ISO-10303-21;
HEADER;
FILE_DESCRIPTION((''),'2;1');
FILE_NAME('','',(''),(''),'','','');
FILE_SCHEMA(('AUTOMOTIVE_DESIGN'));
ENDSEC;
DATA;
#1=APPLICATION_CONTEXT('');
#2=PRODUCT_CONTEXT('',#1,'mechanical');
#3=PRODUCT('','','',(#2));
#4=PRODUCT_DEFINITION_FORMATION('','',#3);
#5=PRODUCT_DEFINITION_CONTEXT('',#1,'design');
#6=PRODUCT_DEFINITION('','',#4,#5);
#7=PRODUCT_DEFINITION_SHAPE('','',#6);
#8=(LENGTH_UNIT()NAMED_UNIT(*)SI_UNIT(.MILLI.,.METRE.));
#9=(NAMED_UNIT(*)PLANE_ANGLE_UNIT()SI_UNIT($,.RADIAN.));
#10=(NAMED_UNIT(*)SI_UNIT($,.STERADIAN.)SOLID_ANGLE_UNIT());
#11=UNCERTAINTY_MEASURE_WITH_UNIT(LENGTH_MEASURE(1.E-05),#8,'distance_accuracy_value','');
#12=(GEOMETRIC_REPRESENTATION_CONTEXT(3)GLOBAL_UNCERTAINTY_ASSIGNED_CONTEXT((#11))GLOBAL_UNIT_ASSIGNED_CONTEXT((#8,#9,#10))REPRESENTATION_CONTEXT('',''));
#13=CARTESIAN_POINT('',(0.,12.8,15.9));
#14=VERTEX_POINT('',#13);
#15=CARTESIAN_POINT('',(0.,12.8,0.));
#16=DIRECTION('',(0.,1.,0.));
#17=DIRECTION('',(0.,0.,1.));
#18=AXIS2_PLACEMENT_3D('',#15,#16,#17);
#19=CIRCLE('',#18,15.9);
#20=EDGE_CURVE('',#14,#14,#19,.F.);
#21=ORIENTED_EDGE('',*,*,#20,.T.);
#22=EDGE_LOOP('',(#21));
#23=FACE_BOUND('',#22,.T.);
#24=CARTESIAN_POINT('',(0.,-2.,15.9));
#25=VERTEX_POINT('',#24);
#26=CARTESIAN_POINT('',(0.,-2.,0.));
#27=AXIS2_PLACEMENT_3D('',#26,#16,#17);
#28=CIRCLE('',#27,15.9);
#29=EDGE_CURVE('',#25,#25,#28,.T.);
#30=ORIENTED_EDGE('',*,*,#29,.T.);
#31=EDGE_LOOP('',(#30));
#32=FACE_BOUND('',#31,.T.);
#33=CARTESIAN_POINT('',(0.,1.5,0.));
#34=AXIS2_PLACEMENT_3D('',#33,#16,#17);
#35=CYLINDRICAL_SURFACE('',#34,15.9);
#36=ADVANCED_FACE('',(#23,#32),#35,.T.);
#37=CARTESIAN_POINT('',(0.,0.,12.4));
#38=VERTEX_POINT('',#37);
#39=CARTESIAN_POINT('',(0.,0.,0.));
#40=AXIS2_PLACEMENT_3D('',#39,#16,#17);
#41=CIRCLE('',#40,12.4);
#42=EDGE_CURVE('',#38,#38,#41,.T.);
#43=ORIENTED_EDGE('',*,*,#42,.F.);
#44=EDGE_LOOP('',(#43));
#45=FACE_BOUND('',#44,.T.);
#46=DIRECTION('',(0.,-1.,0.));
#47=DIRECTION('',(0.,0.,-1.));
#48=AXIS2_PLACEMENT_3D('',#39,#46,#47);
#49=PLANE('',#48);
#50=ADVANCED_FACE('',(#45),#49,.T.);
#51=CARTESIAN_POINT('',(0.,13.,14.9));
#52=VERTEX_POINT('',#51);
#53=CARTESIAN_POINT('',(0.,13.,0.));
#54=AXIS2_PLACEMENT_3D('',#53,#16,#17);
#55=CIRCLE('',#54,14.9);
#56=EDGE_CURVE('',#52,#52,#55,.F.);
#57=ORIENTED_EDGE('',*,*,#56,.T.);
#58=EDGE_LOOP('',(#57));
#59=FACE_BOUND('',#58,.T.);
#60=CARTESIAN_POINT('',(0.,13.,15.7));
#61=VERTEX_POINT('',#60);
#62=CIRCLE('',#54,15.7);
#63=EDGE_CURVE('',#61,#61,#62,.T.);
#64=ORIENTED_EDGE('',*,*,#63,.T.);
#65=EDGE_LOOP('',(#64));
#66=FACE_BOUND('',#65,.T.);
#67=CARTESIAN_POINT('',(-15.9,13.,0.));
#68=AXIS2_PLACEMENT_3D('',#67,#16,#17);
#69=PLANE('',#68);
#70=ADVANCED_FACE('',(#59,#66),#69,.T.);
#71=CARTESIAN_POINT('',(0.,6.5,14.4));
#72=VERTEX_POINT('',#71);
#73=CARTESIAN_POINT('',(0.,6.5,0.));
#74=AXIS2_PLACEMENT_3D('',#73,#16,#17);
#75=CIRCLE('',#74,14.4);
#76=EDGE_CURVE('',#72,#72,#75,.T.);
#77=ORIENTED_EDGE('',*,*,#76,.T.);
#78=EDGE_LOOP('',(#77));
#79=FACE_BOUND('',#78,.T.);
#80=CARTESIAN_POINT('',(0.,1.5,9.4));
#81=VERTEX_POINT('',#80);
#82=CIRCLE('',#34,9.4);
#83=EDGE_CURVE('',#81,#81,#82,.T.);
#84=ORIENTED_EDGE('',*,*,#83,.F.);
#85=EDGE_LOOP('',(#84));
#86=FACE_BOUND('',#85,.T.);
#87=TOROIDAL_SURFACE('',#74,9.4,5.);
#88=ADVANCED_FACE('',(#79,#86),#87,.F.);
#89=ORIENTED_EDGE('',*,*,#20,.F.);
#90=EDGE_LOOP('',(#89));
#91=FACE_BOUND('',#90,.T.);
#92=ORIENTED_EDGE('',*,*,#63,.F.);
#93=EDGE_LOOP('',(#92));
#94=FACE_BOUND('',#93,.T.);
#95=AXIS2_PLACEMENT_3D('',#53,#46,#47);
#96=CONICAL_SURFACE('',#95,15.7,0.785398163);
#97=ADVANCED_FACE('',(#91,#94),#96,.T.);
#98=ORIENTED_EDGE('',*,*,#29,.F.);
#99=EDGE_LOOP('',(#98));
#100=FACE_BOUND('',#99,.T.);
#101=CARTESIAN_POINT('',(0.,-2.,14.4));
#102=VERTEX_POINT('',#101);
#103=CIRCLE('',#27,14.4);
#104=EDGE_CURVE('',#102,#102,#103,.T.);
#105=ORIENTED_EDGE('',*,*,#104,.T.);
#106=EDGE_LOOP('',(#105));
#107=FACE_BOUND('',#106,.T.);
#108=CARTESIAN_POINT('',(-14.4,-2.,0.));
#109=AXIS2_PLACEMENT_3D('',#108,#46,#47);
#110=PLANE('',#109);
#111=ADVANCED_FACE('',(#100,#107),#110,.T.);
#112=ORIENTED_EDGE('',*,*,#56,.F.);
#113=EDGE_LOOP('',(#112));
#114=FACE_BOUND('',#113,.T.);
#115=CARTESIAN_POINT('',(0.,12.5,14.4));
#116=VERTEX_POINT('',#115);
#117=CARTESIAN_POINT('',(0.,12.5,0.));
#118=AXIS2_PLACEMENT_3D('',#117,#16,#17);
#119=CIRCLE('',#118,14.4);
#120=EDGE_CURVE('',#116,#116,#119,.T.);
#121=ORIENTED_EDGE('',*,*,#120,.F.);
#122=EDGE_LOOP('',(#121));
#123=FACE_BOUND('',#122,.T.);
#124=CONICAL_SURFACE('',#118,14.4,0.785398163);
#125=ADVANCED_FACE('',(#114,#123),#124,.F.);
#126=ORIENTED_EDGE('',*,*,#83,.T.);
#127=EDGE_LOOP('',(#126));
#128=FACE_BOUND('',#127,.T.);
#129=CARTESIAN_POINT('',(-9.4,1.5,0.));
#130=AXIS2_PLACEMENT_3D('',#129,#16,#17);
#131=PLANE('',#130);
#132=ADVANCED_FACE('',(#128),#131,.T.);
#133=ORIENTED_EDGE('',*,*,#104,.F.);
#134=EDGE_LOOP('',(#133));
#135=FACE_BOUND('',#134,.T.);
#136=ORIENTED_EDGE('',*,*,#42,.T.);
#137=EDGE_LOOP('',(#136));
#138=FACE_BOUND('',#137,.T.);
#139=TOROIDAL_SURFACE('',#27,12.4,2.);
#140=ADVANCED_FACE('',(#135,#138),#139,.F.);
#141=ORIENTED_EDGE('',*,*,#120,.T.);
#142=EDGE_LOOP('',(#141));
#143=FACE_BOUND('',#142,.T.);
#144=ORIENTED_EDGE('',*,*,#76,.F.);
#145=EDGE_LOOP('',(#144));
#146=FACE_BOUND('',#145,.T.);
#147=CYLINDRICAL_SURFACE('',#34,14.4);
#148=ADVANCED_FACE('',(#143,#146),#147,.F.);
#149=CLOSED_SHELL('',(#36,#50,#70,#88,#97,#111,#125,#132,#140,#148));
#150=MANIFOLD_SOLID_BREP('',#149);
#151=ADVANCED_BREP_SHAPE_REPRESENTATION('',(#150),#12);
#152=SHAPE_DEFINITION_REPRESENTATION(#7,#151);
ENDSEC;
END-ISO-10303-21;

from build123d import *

# Parameters (mm, degrees)
CHAMFER1_SIZE = 0.5
CHAMFER2_SIZE = 0.2


with BuildPart() as part:
    # Sketch1 → Revolve1 (revolve)
    with BuildSketch(Plane.XY, mode=Mode.PRIVATE) as revolve1_sk:
        with BuildLine():
            Line((0, 0), (-12.4, 0))
            ThreePointArc((-12.4, 0), (-13.814213562, -0.585786438), (-14.4, -2))
            Line((-14.4, -2), (-15.9, -2))
            Line((-15.9, -2), (-15.9, 13))
            Line((-15.9, 13), (-14.4, 13))
            Line((-14.4, 13), (-14.4, 6.5))
            ThreePointArc((-14.4, 6.5), (-12.935533906, 2.964466094), (-9.4, 1.5))
            Line((-9.4, 1.5), (0, 1.5))
            Line((0, 1.5), (0, 0))
        make_face()
    revolve(revolve1_sk.sketch.rotate(Axis((0, 1.5, 0), (0, -1, 0)), 270), axis=Axis((0, 1.5, 0), (0, -1, 0)))

    # Chamfer1
    chamfer1_edges = [part.edges().sort_by_distance(p)[0] for p in [
        (0, 13, -14.4),
    ]]
    chamfer(chamfer1_edges, length=CHAMFER1_SIZE)

    # Chamfer2
    chamfer2_edges = [part.edges().sort_by_distance(p)[0] for p in [
        (0, 13, -15.9),
    ]]
    chamfer(chamfer2_edges, length=CHAMFER2_SIZE)


solid = part.part
